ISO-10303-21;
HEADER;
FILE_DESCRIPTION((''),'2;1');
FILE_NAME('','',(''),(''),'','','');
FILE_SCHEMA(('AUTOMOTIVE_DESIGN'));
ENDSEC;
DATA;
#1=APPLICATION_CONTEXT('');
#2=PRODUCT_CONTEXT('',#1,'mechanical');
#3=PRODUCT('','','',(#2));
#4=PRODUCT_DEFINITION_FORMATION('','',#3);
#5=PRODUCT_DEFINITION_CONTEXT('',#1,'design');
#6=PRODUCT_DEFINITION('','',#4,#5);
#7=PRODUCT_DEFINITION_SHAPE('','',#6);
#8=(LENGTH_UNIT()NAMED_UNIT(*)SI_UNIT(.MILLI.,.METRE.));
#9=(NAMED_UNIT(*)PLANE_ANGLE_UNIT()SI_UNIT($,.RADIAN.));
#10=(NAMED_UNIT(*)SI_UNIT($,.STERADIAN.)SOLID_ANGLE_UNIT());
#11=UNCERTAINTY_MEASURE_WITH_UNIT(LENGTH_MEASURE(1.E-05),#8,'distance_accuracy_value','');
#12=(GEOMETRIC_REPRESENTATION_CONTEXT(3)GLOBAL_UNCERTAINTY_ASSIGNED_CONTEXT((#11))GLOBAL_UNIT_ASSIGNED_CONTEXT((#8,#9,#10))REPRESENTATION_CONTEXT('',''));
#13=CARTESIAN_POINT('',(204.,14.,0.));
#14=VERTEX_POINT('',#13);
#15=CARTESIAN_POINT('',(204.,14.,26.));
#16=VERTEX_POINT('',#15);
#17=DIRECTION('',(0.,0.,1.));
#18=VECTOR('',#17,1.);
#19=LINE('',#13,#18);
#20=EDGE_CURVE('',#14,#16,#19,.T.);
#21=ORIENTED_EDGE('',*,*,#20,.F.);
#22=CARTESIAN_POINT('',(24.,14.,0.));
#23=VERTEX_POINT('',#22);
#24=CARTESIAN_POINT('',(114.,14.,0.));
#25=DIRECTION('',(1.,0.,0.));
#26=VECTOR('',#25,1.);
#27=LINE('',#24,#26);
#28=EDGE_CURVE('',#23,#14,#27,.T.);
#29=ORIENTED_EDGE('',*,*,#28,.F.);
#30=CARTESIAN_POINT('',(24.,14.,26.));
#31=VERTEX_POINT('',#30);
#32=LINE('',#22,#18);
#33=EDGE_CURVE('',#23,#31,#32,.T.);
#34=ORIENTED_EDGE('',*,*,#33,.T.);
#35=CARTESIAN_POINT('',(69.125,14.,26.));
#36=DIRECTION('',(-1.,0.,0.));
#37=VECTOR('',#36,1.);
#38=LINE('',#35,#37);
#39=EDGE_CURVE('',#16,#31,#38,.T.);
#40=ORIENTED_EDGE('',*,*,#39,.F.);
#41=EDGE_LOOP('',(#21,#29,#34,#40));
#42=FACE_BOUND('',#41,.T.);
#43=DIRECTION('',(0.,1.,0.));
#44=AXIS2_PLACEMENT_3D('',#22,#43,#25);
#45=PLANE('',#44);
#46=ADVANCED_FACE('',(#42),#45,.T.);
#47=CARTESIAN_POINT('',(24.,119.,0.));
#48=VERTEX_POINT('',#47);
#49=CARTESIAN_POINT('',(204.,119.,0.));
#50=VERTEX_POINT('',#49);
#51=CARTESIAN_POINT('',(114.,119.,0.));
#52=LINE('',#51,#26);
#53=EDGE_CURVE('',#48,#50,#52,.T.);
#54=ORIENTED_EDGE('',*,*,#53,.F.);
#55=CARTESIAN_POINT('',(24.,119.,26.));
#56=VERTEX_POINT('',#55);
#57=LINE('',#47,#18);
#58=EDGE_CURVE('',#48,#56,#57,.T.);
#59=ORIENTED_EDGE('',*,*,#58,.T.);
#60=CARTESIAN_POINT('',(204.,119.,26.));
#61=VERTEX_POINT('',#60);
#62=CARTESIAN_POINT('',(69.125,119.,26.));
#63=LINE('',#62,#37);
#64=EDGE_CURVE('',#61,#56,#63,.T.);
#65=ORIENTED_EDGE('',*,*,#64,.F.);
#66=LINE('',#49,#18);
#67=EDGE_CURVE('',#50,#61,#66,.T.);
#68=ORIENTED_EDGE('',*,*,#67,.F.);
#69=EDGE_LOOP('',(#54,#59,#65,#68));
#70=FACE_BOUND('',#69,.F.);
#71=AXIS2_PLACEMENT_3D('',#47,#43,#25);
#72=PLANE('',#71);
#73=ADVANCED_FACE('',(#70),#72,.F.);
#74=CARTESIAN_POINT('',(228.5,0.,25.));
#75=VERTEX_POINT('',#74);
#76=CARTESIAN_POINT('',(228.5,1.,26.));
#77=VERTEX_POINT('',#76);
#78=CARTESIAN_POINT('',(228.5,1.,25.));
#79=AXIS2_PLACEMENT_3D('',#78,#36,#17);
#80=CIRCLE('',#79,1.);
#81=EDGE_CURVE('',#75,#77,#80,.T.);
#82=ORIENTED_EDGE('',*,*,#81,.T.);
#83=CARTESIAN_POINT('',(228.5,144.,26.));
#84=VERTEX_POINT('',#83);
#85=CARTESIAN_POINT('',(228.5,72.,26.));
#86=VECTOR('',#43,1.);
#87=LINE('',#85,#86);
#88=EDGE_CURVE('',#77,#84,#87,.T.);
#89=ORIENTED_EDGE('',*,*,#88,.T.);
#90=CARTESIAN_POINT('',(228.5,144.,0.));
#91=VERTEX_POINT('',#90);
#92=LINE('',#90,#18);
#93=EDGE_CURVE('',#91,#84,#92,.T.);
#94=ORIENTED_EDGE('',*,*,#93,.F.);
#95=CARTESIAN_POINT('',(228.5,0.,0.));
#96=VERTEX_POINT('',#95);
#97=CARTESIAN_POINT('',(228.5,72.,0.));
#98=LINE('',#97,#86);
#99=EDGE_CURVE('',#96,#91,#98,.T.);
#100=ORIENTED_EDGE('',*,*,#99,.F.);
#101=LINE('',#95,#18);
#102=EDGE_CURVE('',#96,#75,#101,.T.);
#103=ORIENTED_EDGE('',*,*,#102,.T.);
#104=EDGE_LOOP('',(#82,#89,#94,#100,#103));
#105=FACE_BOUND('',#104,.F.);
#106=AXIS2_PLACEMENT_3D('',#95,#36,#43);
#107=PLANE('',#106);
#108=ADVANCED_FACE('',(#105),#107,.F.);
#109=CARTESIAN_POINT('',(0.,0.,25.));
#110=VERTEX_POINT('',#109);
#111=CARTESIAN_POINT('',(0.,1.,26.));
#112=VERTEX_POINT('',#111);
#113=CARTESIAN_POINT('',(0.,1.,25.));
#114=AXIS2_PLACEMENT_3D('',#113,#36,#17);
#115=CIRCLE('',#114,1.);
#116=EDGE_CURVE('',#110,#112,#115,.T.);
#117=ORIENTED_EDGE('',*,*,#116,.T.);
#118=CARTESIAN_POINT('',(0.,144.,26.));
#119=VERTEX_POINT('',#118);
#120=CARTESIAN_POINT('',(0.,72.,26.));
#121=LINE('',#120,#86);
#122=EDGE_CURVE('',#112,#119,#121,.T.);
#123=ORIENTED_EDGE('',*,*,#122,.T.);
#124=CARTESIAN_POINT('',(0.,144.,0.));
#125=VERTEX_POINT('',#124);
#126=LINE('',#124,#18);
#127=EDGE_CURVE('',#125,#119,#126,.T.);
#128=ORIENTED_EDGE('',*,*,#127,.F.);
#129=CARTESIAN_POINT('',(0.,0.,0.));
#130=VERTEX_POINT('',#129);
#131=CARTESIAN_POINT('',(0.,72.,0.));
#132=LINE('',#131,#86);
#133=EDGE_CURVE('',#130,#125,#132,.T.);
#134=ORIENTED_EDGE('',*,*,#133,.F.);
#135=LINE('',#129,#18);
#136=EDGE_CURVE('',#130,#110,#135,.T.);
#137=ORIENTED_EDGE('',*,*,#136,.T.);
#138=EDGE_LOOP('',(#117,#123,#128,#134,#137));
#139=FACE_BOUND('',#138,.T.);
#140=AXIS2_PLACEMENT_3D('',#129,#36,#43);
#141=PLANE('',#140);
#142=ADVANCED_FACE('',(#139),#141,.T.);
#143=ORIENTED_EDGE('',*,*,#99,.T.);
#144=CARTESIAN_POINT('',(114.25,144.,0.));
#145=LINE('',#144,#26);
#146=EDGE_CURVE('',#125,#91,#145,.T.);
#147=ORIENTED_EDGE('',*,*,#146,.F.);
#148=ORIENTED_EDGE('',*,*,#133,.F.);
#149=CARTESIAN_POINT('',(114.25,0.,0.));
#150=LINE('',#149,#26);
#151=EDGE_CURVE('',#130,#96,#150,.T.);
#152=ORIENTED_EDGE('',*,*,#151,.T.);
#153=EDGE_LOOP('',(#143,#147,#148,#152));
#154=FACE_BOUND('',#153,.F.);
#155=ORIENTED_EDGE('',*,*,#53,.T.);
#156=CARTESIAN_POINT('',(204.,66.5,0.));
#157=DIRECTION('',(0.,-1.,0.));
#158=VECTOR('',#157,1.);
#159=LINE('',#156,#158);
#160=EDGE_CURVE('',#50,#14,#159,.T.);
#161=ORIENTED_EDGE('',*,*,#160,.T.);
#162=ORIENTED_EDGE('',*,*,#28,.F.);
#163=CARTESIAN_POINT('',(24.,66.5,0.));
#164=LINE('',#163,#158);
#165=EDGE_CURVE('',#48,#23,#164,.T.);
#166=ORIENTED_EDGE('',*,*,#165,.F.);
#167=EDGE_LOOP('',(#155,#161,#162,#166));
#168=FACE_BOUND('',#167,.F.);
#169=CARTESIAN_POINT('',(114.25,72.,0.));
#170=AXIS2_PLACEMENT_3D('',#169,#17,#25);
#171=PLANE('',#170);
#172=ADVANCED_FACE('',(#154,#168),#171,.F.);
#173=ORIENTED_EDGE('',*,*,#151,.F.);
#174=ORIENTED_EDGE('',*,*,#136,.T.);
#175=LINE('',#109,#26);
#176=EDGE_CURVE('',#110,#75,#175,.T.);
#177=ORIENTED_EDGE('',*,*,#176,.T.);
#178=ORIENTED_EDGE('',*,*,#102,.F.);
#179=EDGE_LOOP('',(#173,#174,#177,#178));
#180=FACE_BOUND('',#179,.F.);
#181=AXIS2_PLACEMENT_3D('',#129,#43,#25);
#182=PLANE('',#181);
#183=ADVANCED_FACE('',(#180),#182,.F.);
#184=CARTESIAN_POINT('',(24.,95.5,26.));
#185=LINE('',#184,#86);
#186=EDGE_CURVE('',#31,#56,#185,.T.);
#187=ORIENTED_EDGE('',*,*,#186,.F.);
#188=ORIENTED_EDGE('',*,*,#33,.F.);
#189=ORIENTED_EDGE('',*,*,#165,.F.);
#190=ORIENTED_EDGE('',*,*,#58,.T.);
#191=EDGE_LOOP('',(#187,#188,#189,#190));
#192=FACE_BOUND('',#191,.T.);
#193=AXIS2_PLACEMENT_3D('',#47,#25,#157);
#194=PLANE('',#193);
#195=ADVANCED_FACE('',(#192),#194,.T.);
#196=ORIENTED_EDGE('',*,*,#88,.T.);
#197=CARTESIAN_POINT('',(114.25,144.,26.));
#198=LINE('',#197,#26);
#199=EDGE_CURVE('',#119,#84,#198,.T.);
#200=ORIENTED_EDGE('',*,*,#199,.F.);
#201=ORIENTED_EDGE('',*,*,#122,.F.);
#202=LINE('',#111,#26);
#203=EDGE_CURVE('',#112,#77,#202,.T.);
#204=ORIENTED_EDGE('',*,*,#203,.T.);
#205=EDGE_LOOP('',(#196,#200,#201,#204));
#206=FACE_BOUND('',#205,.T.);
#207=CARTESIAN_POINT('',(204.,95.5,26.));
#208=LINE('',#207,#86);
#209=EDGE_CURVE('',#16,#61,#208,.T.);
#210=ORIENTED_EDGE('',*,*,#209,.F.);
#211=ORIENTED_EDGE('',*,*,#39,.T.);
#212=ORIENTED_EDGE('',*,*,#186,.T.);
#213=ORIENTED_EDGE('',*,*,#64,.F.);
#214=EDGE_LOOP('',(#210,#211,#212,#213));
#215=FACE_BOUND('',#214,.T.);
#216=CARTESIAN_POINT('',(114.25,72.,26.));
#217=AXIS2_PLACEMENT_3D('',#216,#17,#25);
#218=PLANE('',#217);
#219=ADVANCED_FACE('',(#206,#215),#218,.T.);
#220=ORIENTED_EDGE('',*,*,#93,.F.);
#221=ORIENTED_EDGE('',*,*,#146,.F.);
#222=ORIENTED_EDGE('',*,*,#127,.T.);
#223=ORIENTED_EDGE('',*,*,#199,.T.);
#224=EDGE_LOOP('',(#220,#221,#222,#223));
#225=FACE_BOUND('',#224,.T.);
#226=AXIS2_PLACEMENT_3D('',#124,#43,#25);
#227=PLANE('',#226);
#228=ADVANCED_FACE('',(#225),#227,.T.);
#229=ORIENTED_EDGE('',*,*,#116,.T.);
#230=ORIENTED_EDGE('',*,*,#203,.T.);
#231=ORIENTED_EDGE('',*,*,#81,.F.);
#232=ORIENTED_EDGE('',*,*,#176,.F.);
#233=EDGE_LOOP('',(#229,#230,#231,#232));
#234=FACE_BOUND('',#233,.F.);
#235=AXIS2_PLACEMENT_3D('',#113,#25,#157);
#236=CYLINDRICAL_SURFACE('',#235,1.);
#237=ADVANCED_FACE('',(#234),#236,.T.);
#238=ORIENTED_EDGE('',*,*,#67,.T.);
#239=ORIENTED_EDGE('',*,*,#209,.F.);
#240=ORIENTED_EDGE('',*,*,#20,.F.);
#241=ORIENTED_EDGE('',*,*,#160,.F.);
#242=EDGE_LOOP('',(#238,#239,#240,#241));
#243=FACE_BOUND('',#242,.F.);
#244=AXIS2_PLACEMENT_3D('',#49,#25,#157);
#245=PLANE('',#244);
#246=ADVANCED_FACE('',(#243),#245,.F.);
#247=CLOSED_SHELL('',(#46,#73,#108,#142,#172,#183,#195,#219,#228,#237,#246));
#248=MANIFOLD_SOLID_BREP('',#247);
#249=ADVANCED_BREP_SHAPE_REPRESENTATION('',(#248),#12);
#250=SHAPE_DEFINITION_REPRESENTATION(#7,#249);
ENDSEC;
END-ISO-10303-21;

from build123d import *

# Parameters (mm, degrees)
BOX_W        = 228.5
BOX_H        = 144
BOX_DEPTH    = 26
SKETCH001_W  = 180
SKETCH001_H  = 105
POCKET_DEPTH = 26.001
FILLET_R     = 1


with BuildPart() as part:
    # Box → Box (new body)
    with BuildSketch(Plane.XY):
        with Locations((114.25, 72)):
            Rectangle(BOX_W, BOX_H)
    extrude(amount=BOX_DEPTH)

    # Sketch001 (on Face5 of Box) → Pocket (cut, through all)
    with BuildSketch(Plane(origin=(0, 0, 0), x_dir=(1, 0, 0), z_dir=(0, 0, -1))):
        with Locations((114, -66.5)):
            Rectangle(SKETCH001_W, SKETCH001_H)
    extrude(amount=-POCKET_DEPTH, mode=Mode.SUBTRACT)

    # Fillet
    fillet_edges = [part.edges().sort_by_distance(p)[0] for p in [
        (114.25, 0, 26),
    ]]
    fillet(fillet_edges, radius=FILLET_R)


solid = part.part
